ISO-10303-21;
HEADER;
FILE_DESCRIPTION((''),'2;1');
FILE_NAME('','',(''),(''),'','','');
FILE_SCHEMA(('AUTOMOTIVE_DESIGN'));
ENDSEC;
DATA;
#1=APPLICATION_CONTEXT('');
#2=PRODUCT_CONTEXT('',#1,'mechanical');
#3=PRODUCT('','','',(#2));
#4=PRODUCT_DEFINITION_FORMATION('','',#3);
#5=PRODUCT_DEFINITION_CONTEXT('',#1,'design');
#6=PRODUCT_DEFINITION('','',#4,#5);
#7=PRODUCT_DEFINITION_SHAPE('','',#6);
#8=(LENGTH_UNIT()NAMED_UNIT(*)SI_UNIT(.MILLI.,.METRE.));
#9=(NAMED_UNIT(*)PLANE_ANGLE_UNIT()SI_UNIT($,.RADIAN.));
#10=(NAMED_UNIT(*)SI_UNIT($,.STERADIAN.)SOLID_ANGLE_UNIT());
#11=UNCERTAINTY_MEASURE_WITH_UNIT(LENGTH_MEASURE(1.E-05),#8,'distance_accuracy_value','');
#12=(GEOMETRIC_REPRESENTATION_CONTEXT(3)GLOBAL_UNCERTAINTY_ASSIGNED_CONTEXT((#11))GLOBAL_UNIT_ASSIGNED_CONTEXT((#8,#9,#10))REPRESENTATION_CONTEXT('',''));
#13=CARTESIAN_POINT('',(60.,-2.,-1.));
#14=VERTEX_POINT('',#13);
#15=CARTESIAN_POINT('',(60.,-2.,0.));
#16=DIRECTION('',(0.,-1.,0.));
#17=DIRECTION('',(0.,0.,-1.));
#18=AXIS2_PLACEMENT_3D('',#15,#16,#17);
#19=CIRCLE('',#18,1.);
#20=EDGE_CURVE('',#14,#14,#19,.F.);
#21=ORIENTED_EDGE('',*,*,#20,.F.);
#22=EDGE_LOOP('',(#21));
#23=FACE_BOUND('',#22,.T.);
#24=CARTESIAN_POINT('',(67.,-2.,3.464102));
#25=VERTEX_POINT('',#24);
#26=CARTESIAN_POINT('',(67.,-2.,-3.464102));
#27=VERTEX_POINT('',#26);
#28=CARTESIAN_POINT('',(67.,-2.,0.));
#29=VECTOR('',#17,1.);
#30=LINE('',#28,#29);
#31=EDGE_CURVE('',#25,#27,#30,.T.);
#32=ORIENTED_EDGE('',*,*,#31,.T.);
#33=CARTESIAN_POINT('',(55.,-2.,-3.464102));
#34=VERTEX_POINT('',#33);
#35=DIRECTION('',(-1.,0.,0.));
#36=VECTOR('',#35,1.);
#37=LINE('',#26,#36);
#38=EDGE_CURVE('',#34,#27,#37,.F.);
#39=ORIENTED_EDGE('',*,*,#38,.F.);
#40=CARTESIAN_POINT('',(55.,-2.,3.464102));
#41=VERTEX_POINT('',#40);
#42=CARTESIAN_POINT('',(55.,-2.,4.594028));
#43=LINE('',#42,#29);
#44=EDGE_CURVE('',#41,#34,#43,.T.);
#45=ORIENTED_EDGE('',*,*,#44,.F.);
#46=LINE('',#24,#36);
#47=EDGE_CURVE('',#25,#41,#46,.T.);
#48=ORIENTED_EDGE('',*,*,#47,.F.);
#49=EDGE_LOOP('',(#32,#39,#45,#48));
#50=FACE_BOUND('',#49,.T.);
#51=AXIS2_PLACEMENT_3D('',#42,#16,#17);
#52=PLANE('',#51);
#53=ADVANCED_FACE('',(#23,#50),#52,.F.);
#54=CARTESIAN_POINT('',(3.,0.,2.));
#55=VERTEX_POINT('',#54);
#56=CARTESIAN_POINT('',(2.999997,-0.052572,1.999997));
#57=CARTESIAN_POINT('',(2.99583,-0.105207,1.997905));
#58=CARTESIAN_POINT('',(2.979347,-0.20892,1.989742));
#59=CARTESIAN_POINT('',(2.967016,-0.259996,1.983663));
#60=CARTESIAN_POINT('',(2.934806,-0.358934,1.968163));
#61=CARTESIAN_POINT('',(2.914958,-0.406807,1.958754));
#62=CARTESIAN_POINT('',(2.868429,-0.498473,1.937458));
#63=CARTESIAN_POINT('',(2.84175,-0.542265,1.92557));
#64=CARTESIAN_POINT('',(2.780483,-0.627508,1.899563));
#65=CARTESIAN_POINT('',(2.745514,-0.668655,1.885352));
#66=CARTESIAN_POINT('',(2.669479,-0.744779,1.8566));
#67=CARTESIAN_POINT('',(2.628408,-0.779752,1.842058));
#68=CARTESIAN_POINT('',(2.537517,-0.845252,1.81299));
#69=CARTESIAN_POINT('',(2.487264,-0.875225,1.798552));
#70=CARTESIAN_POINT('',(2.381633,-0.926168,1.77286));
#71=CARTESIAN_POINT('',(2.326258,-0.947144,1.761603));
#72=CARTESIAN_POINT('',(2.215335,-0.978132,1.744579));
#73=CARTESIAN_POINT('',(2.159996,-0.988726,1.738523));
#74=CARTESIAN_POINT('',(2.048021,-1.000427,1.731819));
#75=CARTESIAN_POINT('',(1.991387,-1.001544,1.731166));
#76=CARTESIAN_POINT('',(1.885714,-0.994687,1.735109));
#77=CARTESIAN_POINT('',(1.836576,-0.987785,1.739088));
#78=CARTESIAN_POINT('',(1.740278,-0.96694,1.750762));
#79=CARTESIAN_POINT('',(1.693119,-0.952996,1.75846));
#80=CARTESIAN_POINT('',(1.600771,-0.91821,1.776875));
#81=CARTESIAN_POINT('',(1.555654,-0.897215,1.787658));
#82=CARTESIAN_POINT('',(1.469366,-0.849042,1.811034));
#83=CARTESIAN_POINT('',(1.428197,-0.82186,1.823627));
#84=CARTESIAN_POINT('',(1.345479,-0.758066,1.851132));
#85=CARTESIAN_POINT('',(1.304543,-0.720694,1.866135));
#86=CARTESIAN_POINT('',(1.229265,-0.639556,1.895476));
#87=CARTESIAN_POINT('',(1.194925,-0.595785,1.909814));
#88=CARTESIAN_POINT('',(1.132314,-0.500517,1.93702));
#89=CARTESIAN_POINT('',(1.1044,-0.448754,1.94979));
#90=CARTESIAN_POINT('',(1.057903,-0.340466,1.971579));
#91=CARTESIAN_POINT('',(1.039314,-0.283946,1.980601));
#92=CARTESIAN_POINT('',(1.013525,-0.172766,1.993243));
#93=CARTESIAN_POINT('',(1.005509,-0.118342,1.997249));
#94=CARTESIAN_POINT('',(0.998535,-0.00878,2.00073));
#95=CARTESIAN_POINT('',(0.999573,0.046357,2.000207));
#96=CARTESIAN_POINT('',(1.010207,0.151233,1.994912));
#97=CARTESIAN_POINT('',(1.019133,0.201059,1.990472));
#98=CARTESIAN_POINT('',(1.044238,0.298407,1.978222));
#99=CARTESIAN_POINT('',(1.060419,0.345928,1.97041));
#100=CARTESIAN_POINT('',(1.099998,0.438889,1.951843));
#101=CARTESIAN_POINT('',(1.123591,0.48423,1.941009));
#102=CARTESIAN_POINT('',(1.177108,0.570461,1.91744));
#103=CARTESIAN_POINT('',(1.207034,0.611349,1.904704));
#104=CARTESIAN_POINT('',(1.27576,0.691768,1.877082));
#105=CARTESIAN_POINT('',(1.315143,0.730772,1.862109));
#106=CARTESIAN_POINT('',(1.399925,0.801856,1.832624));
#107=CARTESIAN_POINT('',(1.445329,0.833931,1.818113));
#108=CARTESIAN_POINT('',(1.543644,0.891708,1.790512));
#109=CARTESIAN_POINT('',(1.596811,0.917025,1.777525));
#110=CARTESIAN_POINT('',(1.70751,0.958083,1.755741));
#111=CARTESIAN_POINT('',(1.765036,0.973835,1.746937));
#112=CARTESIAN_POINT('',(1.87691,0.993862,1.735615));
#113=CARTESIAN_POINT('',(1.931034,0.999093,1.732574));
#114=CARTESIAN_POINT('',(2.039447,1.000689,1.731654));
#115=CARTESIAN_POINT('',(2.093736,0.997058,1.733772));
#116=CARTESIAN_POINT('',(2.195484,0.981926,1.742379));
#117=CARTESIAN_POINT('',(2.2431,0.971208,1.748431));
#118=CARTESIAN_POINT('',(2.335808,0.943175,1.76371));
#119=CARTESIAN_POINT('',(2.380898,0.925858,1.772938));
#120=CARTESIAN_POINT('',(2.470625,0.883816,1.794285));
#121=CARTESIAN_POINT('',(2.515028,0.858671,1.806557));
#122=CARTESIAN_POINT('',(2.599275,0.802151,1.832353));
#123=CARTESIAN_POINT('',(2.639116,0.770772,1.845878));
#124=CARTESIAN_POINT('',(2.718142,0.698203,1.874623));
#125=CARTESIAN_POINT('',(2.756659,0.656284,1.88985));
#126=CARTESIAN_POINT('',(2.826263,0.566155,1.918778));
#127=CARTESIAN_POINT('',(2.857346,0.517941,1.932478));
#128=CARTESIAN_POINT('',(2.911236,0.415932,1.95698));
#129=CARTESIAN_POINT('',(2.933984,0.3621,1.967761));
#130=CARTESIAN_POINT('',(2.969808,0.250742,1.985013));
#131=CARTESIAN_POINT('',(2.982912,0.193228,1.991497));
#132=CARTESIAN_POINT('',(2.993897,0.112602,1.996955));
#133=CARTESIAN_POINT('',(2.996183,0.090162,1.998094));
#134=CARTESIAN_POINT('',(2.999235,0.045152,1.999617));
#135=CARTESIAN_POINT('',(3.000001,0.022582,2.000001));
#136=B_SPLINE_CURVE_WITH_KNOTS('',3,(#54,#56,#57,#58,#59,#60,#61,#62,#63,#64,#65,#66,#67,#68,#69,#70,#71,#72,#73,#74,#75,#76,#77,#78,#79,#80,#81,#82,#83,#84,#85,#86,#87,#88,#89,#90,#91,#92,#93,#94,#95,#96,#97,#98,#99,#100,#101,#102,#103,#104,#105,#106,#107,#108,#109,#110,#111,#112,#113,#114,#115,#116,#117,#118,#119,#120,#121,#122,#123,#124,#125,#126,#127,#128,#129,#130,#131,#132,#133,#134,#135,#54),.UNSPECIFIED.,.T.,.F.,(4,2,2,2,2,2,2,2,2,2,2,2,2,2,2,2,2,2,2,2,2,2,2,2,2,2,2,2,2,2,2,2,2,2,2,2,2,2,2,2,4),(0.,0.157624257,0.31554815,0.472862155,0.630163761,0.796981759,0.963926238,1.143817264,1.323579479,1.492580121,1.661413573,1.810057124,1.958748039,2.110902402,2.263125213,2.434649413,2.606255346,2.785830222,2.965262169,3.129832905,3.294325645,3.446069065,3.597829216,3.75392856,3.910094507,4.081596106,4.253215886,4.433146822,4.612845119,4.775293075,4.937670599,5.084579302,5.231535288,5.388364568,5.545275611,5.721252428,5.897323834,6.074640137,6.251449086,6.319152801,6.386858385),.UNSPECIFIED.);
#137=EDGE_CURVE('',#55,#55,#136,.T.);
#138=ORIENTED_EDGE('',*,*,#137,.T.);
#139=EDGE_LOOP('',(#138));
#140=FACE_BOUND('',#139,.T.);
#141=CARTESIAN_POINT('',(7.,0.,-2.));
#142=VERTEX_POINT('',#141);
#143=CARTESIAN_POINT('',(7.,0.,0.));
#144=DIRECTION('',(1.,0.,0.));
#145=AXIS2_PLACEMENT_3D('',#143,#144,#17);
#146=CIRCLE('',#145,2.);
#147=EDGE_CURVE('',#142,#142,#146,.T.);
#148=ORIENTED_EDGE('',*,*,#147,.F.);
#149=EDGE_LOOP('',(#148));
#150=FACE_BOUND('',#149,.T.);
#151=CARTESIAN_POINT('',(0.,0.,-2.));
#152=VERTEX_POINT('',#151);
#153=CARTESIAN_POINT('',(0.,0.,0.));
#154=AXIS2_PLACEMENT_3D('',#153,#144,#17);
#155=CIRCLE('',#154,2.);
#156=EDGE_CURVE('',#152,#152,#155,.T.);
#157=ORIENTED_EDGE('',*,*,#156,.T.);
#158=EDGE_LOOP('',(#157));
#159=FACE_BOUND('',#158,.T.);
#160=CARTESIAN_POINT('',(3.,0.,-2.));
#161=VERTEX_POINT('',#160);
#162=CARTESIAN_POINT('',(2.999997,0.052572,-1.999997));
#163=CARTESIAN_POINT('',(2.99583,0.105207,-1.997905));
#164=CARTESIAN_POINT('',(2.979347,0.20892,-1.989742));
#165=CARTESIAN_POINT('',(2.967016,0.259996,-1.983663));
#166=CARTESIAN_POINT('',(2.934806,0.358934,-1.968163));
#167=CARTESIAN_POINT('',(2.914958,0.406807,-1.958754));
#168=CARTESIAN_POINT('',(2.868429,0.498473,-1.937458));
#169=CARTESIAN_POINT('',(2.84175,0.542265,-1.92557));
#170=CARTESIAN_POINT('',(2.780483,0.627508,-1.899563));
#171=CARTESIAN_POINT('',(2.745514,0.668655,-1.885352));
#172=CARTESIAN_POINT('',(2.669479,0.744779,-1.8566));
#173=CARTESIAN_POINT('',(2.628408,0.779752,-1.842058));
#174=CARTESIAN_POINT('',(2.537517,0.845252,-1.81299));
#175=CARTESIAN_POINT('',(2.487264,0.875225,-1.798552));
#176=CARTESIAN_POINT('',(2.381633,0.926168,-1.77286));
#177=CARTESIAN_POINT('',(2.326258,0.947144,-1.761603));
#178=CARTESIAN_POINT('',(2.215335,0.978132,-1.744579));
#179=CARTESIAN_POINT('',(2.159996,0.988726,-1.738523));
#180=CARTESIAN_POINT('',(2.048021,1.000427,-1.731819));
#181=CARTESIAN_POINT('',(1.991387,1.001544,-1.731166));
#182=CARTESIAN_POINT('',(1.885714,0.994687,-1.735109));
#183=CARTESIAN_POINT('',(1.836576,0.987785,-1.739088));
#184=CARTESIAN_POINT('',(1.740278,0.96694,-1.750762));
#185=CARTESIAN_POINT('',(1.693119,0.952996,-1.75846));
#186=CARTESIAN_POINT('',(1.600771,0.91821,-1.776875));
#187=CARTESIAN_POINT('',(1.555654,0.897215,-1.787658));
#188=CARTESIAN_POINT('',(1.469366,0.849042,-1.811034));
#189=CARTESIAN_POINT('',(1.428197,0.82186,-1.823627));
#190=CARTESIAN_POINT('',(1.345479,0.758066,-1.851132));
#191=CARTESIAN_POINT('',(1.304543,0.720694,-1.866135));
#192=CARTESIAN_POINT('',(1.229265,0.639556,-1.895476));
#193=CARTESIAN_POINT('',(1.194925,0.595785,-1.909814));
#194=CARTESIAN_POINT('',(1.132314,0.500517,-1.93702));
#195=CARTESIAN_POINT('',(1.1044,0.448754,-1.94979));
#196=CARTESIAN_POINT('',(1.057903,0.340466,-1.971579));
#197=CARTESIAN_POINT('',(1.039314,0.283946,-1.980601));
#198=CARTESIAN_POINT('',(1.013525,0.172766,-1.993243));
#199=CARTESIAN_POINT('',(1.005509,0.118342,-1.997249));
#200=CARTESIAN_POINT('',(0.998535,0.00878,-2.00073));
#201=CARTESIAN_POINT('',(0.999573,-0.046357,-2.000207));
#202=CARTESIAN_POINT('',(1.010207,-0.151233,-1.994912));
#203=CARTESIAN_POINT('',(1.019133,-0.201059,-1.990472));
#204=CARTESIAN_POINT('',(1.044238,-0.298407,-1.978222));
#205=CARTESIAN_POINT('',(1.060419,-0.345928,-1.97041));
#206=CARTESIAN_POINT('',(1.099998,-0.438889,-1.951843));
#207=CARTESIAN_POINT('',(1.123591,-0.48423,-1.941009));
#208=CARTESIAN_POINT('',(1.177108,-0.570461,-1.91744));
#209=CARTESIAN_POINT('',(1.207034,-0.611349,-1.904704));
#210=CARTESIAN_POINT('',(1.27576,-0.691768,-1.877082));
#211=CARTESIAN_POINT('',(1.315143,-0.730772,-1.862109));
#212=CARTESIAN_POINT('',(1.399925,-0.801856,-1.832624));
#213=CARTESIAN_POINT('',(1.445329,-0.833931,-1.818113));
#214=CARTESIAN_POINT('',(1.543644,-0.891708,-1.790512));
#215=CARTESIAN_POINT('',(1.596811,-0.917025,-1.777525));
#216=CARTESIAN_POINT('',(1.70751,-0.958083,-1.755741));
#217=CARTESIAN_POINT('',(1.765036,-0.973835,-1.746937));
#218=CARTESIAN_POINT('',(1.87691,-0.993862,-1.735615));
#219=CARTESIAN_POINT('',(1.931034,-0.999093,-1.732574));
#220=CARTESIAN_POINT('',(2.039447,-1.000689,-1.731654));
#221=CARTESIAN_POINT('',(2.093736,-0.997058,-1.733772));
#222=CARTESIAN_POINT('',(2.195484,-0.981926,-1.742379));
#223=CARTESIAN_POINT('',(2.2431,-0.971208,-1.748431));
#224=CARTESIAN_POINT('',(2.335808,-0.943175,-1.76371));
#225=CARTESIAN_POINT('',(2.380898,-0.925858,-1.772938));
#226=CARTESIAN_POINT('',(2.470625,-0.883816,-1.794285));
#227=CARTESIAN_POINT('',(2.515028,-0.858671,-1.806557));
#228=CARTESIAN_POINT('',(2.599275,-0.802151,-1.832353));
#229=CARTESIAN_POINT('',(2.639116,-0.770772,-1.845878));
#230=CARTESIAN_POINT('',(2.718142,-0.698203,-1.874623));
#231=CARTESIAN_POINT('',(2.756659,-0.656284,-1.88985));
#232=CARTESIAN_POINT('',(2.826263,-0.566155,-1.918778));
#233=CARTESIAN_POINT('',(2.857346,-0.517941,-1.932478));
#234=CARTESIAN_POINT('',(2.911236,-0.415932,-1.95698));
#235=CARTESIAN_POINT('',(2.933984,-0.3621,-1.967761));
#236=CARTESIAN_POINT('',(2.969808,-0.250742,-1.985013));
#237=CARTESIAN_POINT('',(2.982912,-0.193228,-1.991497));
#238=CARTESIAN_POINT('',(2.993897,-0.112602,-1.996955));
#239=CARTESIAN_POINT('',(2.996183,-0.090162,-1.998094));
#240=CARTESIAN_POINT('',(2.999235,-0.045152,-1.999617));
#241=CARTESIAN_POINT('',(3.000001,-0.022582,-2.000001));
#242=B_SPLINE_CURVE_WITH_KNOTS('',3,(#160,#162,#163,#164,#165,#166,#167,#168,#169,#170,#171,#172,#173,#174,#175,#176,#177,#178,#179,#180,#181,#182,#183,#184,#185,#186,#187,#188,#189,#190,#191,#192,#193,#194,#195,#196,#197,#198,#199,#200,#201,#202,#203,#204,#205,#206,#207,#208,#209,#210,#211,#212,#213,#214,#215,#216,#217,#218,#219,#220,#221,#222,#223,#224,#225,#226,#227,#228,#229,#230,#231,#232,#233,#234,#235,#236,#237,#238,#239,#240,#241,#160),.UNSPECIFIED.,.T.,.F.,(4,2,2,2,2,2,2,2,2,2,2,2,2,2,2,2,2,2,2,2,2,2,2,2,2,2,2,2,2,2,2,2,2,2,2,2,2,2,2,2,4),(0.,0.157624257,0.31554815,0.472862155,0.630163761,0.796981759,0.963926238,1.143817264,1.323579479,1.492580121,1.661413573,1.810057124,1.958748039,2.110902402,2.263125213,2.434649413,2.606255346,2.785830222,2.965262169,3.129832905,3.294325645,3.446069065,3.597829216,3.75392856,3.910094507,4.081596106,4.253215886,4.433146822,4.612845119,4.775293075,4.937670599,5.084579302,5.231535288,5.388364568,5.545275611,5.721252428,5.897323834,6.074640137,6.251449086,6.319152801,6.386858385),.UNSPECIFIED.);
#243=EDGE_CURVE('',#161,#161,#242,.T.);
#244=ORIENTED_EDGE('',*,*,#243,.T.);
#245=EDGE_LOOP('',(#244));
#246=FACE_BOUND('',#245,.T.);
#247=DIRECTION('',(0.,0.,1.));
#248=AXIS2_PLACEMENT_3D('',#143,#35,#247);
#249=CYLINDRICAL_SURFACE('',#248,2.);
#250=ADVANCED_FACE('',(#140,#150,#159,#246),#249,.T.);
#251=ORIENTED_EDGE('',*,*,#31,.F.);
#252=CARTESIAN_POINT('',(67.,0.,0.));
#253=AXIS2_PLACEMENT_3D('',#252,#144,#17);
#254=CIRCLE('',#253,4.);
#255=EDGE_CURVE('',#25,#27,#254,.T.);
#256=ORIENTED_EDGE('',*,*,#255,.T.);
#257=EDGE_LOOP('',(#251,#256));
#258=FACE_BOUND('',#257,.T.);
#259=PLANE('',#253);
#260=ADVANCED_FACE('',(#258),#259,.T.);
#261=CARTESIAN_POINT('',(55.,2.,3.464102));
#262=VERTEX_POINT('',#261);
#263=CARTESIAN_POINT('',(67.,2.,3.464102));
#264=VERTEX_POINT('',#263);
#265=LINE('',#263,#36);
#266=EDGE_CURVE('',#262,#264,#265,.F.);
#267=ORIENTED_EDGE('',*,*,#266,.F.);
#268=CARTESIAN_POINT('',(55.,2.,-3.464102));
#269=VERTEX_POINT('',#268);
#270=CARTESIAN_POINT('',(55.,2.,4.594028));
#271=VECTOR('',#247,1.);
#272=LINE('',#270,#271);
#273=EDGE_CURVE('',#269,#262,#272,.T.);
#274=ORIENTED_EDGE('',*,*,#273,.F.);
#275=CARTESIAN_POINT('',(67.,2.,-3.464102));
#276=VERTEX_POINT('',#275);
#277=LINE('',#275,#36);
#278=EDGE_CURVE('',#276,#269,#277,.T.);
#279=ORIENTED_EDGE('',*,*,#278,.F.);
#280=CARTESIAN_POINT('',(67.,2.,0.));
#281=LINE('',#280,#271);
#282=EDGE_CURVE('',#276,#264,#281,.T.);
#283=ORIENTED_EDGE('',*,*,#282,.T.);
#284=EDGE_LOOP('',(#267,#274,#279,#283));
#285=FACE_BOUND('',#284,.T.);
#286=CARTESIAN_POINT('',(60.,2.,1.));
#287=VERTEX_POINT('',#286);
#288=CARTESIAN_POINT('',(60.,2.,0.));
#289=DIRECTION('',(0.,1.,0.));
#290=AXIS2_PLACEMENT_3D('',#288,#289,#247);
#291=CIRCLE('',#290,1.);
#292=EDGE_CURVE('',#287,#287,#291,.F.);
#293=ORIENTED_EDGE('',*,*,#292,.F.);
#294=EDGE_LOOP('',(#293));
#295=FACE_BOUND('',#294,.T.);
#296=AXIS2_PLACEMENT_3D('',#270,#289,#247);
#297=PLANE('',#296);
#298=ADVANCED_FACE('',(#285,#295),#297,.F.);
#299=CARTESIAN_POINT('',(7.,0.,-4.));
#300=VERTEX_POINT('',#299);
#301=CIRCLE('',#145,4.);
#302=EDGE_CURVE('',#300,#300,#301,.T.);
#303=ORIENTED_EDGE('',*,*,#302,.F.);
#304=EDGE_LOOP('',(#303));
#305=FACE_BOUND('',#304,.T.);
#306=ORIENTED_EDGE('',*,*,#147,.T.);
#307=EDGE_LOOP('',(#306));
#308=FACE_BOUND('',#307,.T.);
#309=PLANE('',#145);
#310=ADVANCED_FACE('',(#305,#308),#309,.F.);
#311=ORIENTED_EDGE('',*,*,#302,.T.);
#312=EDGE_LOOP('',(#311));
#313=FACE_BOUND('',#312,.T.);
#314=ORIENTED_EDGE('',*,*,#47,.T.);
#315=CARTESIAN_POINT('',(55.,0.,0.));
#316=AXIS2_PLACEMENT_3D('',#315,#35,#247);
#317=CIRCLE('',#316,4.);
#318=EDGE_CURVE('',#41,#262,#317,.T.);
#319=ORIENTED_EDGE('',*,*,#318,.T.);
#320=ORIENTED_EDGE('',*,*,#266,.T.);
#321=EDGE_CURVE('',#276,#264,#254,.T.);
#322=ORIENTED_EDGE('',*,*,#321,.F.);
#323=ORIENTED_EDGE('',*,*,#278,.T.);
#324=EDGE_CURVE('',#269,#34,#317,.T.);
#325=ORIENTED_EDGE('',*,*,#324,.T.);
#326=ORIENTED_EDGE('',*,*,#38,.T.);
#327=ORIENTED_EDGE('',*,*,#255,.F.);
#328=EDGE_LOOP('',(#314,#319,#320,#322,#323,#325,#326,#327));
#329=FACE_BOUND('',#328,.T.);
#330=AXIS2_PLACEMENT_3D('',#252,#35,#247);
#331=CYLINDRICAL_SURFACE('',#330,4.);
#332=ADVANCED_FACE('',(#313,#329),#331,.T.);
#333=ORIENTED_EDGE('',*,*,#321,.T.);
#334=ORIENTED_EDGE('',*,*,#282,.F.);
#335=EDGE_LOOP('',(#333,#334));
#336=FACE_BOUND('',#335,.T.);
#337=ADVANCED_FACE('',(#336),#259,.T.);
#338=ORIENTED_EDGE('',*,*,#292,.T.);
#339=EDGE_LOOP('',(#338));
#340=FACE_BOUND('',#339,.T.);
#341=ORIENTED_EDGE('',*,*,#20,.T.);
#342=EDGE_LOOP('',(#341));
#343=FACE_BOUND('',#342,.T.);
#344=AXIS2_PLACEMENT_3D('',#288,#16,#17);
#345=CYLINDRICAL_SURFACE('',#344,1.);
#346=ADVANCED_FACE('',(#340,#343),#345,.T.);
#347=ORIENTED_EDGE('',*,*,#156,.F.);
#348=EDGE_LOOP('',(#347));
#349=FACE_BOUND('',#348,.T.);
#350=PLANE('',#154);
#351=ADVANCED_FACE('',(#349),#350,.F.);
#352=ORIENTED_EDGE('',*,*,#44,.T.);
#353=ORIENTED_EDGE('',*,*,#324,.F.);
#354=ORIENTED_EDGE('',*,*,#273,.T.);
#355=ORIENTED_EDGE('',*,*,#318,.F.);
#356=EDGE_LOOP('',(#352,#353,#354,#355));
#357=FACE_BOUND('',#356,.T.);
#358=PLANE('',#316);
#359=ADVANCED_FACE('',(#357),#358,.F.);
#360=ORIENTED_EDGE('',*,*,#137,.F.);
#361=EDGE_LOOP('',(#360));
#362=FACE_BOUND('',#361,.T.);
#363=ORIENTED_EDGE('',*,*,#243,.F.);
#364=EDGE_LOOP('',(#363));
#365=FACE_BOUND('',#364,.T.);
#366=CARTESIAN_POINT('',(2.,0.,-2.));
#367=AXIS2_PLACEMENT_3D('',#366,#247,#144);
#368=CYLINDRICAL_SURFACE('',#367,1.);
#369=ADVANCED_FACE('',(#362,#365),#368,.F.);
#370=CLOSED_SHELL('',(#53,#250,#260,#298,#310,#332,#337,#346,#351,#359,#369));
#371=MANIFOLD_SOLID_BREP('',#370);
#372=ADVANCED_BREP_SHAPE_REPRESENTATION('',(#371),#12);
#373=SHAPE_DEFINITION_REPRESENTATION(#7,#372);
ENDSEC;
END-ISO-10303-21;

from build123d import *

# Parameters (mm, degrees)
SKETCH1_R           = 2
BOSS_EXTRUDE1_DEPTH = 7
SKETCH2_R           = 1
CUT_EXTRUDE1_DEPTH  = 4
SKETCH3_R           = 4
BOSS_EXTRUDE2_DEPTH = 60
SKETCH4_W           = 8.951999976
SKETCH4_H           = 4
CUT_EXTRUDE2_DEPTH  = 12
SKETCH5_R           = 1
BOSS_EXTRUDE3_DEPTH = 4


with BuildPart() as part:
    # Sketch1 → Boss-Extrude1 (new body)
    with BuildSketch(Plane(origin=(0, 0, 0), x_dir=(0, 0, -1), z_dir=(1, 0, 0))):
        Circle(SKETCH1_R)
    extrude(amount=BOSS_EXTRUDE1_DEPTH)

    # Sketch2 → Cut-Extrude1 (cut)
    with BuildSketch(Plane.XY.offset(2)):
        with Locations((2, 0)):
            Circle(SKETCH2_R)
    extrude(amount=-CUT_EXTRUDE1_DEPTH, mode=Mode.SUBTRACT)

    # Sketch3 → Boss-Extrude2 (add)
    with BuildSketch(Plane(origin=(7, 0, 0), x_dir=(0, 0, -1), z_dir=(1, 0, 0))):
        Circle(SKETCH3_R)
    extrude(amount=BOSS_EXTRUDE2_DEPTH)

    # Sketch4 → Cut-Extrude2 (cut)
    with BuildSketch(Plane(origin=(67, 0, 0), x_dir=(0, 0, -1), z_dir=(1, 0, 0))):
        with Locations((-0.118028397, 0)):
            Rectangle(SKETCH4_W, SKETCH4_H)
    extrude(amount=-CUT_EXTRUDE2_DEPTH, mode=Mode.SUBTRACT)

    # Sketch5 → Boss-Extrude3 (add)
    with BuildSketch(Plane(origin=(0, -2, 0), x_dir=(1, 0, 0), z_dir=(0, 1, 0))):
        with Locations(Location((60, 0, 0), (0, 0, 90))):
            Circle(SKETCH5_R)
    extrude(amount=BOSS_EXTRUDE3_DEPTH)


solid = part.part
